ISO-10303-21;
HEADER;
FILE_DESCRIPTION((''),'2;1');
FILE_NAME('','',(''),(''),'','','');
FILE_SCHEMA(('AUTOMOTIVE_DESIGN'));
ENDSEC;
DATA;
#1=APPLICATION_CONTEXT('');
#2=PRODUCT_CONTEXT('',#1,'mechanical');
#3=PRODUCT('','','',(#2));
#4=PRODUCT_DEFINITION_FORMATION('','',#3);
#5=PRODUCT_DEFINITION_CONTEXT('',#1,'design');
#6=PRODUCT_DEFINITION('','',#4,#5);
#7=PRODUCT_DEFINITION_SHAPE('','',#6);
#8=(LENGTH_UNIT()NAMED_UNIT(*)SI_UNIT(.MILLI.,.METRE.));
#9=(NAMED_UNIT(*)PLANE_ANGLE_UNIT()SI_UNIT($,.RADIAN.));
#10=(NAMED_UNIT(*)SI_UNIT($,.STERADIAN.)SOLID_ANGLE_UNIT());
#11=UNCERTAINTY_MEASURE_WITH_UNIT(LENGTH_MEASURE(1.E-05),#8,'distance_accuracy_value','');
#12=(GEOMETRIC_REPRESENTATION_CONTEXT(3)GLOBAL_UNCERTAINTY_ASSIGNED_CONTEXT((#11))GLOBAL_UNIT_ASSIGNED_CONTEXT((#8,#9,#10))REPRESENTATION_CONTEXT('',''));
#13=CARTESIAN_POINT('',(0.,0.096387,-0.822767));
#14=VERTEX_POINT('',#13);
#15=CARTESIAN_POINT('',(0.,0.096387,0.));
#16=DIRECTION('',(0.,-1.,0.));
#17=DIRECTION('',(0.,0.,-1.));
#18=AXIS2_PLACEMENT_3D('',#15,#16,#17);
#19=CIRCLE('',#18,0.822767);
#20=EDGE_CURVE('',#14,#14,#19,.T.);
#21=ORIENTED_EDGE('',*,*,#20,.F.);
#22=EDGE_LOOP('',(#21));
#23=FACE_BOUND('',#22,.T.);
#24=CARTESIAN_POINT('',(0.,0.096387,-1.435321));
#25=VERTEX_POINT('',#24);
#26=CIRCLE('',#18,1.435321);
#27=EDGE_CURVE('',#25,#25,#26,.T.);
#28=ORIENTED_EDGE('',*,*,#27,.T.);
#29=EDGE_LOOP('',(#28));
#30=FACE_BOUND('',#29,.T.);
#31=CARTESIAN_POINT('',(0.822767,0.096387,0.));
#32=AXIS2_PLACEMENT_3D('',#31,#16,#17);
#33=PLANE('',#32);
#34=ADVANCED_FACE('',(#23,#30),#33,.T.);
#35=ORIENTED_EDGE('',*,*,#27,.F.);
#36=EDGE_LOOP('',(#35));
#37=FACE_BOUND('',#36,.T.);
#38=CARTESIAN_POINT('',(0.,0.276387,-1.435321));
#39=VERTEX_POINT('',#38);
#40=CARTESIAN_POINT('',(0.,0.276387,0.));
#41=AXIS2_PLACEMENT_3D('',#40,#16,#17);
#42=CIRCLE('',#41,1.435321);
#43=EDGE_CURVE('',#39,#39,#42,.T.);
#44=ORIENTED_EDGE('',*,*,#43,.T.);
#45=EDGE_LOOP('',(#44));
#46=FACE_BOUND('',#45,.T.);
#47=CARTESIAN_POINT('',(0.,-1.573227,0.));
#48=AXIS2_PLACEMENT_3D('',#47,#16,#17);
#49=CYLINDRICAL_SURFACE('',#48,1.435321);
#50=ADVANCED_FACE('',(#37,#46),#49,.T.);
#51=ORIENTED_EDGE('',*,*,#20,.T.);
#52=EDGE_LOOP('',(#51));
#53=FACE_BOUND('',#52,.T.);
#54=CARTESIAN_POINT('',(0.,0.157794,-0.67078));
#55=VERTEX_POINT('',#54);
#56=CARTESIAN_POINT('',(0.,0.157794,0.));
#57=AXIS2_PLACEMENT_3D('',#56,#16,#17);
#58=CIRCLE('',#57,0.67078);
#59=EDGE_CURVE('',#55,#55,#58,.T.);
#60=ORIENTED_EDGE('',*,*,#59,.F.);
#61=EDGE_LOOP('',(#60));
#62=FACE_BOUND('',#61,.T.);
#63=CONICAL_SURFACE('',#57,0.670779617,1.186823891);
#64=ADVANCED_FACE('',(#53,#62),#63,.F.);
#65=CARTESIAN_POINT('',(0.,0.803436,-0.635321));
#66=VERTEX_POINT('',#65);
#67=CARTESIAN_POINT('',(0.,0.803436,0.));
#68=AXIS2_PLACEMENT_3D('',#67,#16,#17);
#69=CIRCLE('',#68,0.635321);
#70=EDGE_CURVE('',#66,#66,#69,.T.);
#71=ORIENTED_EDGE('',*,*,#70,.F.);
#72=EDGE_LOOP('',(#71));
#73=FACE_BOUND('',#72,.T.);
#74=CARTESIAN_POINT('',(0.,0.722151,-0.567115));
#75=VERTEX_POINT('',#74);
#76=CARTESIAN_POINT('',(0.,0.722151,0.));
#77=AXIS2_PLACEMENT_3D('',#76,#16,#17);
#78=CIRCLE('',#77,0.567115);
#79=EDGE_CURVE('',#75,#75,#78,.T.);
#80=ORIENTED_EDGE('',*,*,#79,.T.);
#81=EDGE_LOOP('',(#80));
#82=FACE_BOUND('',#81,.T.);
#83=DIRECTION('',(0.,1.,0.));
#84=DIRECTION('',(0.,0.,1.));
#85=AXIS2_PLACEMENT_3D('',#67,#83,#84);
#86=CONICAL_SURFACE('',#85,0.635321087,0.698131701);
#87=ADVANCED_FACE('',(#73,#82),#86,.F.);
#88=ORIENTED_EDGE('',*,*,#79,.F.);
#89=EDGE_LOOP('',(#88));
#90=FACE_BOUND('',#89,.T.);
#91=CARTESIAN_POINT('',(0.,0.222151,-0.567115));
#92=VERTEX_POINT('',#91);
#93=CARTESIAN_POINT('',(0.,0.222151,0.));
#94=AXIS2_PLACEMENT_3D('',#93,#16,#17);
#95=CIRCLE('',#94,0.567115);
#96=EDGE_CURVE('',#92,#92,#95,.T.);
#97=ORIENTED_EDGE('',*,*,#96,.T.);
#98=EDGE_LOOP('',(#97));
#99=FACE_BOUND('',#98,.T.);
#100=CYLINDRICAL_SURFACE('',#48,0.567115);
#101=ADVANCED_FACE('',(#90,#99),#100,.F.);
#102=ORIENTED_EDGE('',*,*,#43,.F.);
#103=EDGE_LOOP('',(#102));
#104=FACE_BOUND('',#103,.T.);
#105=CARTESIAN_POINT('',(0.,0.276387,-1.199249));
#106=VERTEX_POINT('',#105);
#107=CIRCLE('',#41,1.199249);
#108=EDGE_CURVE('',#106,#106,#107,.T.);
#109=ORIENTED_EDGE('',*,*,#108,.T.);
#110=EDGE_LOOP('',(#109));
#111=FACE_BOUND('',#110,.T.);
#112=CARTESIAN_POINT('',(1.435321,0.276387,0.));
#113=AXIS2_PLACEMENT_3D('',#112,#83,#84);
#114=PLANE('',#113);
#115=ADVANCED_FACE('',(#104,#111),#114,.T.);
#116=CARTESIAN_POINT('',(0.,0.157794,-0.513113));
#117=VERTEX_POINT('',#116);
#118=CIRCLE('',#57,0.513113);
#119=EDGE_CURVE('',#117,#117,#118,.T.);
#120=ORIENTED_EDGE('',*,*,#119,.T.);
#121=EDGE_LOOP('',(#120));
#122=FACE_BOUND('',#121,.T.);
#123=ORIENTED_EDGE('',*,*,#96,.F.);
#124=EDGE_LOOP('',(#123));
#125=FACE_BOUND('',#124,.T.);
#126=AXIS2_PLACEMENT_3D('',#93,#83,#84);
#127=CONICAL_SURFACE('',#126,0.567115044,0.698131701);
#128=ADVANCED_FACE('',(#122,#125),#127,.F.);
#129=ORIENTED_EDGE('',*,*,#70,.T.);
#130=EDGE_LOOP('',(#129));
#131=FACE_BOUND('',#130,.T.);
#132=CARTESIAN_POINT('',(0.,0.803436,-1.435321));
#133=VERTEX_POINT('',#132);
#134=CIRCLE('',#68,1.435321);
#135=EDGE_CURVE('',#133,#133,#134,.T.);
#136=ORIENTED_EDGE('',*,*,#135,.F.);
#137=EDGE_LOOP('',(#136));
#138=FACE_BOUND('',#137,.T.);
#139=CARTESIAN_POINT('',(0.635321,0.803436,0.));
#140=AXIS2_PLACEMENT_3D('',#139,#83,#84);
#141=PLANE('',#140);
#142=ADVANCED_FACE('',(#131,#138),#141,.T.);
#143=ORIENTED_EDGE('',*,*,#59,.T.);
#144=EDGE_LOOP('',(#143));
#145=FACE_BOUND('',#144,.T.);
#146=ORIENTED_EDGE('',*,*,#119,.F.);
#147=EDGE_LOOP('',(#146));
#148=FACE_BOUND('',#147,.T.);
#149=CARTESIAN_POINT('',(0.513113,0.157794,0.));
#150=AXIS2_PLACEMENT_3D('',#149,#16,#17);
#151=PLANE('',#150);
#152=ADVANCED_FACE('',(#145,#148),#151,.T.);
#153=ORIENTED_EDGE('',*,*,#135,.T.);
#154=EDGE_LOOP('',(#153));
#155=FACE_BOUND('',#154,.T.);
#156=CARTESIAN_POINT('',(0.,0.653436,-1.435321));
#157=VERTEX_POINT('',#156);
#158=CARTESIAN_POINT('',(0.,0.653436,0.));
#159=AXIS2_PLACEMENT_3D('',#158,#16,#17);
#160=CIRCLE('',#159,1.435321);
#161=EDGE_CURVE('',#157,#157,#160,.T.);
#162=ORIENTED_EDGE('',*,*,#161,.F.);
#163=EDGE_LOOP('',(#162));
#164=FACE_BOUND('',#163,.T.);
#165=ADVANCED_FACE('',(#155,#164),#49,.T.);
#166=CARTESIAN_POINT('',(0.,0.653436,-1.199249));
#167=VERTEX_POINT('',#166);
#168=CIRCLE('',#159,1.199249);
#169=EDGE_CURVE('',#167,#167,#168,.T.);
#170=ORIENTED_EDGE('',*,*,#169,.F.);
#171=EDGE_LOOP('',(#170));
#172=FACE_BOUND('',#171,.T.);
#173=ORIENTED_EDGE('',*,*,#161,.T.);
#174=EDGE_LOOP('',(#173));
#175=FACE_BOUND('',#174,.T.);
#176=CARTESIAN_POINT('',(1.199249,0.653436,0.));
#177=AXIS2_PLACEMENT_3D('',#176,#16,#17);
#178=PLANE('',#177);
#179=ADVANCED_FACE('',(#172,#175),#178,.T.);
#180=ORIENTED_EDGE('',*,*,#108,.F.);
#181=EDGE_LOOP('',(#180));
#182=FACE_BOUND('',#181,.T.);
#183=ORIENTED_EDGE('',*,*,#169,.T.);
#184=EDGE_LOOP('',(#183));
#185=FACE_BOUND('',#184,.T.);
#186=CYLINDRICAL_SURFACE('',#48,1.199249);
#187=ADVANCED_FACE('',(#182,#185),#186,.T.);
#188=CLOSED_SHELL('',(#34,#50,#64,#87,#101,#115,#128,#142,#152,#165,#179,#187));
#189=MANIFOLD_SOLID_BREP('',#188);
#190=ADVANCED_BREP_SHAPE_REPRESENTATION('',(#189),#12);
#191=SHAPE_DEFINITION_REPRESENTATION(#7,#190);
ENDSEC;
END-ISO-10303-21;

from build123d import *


with BuildPart() as part:
    # 草图1 → 旋转1 (revolve)
    with BuildSketch(Plane.XY, mode=Mode.PRIVATE) as revolve_1_sk:
        Polygon((0.822766623, 0.096387425), (1.435321087, 0.096387425), (1.435321087, 0.276387425), (1.1992489, 0.276387425), (1.1992489, 0.653435538), (1.435321087, 0.653435538), (1.435321087, 0.803435538), (0.635321087, 0.803435538), (0.567115044, 0.722150741), (0.567115044, 0.222150741), (0.513113462, 0.157794161), (0.670779617, 0.157794161), align=None)
    revolve(revolve_1_sk.sketch.rotate(Axis((0, -1.573227454, 0), (0, 1, 0)), 90), axis=Axis((0, -1.573227454, 0), (0, 1, 0)))


solid = part.part
